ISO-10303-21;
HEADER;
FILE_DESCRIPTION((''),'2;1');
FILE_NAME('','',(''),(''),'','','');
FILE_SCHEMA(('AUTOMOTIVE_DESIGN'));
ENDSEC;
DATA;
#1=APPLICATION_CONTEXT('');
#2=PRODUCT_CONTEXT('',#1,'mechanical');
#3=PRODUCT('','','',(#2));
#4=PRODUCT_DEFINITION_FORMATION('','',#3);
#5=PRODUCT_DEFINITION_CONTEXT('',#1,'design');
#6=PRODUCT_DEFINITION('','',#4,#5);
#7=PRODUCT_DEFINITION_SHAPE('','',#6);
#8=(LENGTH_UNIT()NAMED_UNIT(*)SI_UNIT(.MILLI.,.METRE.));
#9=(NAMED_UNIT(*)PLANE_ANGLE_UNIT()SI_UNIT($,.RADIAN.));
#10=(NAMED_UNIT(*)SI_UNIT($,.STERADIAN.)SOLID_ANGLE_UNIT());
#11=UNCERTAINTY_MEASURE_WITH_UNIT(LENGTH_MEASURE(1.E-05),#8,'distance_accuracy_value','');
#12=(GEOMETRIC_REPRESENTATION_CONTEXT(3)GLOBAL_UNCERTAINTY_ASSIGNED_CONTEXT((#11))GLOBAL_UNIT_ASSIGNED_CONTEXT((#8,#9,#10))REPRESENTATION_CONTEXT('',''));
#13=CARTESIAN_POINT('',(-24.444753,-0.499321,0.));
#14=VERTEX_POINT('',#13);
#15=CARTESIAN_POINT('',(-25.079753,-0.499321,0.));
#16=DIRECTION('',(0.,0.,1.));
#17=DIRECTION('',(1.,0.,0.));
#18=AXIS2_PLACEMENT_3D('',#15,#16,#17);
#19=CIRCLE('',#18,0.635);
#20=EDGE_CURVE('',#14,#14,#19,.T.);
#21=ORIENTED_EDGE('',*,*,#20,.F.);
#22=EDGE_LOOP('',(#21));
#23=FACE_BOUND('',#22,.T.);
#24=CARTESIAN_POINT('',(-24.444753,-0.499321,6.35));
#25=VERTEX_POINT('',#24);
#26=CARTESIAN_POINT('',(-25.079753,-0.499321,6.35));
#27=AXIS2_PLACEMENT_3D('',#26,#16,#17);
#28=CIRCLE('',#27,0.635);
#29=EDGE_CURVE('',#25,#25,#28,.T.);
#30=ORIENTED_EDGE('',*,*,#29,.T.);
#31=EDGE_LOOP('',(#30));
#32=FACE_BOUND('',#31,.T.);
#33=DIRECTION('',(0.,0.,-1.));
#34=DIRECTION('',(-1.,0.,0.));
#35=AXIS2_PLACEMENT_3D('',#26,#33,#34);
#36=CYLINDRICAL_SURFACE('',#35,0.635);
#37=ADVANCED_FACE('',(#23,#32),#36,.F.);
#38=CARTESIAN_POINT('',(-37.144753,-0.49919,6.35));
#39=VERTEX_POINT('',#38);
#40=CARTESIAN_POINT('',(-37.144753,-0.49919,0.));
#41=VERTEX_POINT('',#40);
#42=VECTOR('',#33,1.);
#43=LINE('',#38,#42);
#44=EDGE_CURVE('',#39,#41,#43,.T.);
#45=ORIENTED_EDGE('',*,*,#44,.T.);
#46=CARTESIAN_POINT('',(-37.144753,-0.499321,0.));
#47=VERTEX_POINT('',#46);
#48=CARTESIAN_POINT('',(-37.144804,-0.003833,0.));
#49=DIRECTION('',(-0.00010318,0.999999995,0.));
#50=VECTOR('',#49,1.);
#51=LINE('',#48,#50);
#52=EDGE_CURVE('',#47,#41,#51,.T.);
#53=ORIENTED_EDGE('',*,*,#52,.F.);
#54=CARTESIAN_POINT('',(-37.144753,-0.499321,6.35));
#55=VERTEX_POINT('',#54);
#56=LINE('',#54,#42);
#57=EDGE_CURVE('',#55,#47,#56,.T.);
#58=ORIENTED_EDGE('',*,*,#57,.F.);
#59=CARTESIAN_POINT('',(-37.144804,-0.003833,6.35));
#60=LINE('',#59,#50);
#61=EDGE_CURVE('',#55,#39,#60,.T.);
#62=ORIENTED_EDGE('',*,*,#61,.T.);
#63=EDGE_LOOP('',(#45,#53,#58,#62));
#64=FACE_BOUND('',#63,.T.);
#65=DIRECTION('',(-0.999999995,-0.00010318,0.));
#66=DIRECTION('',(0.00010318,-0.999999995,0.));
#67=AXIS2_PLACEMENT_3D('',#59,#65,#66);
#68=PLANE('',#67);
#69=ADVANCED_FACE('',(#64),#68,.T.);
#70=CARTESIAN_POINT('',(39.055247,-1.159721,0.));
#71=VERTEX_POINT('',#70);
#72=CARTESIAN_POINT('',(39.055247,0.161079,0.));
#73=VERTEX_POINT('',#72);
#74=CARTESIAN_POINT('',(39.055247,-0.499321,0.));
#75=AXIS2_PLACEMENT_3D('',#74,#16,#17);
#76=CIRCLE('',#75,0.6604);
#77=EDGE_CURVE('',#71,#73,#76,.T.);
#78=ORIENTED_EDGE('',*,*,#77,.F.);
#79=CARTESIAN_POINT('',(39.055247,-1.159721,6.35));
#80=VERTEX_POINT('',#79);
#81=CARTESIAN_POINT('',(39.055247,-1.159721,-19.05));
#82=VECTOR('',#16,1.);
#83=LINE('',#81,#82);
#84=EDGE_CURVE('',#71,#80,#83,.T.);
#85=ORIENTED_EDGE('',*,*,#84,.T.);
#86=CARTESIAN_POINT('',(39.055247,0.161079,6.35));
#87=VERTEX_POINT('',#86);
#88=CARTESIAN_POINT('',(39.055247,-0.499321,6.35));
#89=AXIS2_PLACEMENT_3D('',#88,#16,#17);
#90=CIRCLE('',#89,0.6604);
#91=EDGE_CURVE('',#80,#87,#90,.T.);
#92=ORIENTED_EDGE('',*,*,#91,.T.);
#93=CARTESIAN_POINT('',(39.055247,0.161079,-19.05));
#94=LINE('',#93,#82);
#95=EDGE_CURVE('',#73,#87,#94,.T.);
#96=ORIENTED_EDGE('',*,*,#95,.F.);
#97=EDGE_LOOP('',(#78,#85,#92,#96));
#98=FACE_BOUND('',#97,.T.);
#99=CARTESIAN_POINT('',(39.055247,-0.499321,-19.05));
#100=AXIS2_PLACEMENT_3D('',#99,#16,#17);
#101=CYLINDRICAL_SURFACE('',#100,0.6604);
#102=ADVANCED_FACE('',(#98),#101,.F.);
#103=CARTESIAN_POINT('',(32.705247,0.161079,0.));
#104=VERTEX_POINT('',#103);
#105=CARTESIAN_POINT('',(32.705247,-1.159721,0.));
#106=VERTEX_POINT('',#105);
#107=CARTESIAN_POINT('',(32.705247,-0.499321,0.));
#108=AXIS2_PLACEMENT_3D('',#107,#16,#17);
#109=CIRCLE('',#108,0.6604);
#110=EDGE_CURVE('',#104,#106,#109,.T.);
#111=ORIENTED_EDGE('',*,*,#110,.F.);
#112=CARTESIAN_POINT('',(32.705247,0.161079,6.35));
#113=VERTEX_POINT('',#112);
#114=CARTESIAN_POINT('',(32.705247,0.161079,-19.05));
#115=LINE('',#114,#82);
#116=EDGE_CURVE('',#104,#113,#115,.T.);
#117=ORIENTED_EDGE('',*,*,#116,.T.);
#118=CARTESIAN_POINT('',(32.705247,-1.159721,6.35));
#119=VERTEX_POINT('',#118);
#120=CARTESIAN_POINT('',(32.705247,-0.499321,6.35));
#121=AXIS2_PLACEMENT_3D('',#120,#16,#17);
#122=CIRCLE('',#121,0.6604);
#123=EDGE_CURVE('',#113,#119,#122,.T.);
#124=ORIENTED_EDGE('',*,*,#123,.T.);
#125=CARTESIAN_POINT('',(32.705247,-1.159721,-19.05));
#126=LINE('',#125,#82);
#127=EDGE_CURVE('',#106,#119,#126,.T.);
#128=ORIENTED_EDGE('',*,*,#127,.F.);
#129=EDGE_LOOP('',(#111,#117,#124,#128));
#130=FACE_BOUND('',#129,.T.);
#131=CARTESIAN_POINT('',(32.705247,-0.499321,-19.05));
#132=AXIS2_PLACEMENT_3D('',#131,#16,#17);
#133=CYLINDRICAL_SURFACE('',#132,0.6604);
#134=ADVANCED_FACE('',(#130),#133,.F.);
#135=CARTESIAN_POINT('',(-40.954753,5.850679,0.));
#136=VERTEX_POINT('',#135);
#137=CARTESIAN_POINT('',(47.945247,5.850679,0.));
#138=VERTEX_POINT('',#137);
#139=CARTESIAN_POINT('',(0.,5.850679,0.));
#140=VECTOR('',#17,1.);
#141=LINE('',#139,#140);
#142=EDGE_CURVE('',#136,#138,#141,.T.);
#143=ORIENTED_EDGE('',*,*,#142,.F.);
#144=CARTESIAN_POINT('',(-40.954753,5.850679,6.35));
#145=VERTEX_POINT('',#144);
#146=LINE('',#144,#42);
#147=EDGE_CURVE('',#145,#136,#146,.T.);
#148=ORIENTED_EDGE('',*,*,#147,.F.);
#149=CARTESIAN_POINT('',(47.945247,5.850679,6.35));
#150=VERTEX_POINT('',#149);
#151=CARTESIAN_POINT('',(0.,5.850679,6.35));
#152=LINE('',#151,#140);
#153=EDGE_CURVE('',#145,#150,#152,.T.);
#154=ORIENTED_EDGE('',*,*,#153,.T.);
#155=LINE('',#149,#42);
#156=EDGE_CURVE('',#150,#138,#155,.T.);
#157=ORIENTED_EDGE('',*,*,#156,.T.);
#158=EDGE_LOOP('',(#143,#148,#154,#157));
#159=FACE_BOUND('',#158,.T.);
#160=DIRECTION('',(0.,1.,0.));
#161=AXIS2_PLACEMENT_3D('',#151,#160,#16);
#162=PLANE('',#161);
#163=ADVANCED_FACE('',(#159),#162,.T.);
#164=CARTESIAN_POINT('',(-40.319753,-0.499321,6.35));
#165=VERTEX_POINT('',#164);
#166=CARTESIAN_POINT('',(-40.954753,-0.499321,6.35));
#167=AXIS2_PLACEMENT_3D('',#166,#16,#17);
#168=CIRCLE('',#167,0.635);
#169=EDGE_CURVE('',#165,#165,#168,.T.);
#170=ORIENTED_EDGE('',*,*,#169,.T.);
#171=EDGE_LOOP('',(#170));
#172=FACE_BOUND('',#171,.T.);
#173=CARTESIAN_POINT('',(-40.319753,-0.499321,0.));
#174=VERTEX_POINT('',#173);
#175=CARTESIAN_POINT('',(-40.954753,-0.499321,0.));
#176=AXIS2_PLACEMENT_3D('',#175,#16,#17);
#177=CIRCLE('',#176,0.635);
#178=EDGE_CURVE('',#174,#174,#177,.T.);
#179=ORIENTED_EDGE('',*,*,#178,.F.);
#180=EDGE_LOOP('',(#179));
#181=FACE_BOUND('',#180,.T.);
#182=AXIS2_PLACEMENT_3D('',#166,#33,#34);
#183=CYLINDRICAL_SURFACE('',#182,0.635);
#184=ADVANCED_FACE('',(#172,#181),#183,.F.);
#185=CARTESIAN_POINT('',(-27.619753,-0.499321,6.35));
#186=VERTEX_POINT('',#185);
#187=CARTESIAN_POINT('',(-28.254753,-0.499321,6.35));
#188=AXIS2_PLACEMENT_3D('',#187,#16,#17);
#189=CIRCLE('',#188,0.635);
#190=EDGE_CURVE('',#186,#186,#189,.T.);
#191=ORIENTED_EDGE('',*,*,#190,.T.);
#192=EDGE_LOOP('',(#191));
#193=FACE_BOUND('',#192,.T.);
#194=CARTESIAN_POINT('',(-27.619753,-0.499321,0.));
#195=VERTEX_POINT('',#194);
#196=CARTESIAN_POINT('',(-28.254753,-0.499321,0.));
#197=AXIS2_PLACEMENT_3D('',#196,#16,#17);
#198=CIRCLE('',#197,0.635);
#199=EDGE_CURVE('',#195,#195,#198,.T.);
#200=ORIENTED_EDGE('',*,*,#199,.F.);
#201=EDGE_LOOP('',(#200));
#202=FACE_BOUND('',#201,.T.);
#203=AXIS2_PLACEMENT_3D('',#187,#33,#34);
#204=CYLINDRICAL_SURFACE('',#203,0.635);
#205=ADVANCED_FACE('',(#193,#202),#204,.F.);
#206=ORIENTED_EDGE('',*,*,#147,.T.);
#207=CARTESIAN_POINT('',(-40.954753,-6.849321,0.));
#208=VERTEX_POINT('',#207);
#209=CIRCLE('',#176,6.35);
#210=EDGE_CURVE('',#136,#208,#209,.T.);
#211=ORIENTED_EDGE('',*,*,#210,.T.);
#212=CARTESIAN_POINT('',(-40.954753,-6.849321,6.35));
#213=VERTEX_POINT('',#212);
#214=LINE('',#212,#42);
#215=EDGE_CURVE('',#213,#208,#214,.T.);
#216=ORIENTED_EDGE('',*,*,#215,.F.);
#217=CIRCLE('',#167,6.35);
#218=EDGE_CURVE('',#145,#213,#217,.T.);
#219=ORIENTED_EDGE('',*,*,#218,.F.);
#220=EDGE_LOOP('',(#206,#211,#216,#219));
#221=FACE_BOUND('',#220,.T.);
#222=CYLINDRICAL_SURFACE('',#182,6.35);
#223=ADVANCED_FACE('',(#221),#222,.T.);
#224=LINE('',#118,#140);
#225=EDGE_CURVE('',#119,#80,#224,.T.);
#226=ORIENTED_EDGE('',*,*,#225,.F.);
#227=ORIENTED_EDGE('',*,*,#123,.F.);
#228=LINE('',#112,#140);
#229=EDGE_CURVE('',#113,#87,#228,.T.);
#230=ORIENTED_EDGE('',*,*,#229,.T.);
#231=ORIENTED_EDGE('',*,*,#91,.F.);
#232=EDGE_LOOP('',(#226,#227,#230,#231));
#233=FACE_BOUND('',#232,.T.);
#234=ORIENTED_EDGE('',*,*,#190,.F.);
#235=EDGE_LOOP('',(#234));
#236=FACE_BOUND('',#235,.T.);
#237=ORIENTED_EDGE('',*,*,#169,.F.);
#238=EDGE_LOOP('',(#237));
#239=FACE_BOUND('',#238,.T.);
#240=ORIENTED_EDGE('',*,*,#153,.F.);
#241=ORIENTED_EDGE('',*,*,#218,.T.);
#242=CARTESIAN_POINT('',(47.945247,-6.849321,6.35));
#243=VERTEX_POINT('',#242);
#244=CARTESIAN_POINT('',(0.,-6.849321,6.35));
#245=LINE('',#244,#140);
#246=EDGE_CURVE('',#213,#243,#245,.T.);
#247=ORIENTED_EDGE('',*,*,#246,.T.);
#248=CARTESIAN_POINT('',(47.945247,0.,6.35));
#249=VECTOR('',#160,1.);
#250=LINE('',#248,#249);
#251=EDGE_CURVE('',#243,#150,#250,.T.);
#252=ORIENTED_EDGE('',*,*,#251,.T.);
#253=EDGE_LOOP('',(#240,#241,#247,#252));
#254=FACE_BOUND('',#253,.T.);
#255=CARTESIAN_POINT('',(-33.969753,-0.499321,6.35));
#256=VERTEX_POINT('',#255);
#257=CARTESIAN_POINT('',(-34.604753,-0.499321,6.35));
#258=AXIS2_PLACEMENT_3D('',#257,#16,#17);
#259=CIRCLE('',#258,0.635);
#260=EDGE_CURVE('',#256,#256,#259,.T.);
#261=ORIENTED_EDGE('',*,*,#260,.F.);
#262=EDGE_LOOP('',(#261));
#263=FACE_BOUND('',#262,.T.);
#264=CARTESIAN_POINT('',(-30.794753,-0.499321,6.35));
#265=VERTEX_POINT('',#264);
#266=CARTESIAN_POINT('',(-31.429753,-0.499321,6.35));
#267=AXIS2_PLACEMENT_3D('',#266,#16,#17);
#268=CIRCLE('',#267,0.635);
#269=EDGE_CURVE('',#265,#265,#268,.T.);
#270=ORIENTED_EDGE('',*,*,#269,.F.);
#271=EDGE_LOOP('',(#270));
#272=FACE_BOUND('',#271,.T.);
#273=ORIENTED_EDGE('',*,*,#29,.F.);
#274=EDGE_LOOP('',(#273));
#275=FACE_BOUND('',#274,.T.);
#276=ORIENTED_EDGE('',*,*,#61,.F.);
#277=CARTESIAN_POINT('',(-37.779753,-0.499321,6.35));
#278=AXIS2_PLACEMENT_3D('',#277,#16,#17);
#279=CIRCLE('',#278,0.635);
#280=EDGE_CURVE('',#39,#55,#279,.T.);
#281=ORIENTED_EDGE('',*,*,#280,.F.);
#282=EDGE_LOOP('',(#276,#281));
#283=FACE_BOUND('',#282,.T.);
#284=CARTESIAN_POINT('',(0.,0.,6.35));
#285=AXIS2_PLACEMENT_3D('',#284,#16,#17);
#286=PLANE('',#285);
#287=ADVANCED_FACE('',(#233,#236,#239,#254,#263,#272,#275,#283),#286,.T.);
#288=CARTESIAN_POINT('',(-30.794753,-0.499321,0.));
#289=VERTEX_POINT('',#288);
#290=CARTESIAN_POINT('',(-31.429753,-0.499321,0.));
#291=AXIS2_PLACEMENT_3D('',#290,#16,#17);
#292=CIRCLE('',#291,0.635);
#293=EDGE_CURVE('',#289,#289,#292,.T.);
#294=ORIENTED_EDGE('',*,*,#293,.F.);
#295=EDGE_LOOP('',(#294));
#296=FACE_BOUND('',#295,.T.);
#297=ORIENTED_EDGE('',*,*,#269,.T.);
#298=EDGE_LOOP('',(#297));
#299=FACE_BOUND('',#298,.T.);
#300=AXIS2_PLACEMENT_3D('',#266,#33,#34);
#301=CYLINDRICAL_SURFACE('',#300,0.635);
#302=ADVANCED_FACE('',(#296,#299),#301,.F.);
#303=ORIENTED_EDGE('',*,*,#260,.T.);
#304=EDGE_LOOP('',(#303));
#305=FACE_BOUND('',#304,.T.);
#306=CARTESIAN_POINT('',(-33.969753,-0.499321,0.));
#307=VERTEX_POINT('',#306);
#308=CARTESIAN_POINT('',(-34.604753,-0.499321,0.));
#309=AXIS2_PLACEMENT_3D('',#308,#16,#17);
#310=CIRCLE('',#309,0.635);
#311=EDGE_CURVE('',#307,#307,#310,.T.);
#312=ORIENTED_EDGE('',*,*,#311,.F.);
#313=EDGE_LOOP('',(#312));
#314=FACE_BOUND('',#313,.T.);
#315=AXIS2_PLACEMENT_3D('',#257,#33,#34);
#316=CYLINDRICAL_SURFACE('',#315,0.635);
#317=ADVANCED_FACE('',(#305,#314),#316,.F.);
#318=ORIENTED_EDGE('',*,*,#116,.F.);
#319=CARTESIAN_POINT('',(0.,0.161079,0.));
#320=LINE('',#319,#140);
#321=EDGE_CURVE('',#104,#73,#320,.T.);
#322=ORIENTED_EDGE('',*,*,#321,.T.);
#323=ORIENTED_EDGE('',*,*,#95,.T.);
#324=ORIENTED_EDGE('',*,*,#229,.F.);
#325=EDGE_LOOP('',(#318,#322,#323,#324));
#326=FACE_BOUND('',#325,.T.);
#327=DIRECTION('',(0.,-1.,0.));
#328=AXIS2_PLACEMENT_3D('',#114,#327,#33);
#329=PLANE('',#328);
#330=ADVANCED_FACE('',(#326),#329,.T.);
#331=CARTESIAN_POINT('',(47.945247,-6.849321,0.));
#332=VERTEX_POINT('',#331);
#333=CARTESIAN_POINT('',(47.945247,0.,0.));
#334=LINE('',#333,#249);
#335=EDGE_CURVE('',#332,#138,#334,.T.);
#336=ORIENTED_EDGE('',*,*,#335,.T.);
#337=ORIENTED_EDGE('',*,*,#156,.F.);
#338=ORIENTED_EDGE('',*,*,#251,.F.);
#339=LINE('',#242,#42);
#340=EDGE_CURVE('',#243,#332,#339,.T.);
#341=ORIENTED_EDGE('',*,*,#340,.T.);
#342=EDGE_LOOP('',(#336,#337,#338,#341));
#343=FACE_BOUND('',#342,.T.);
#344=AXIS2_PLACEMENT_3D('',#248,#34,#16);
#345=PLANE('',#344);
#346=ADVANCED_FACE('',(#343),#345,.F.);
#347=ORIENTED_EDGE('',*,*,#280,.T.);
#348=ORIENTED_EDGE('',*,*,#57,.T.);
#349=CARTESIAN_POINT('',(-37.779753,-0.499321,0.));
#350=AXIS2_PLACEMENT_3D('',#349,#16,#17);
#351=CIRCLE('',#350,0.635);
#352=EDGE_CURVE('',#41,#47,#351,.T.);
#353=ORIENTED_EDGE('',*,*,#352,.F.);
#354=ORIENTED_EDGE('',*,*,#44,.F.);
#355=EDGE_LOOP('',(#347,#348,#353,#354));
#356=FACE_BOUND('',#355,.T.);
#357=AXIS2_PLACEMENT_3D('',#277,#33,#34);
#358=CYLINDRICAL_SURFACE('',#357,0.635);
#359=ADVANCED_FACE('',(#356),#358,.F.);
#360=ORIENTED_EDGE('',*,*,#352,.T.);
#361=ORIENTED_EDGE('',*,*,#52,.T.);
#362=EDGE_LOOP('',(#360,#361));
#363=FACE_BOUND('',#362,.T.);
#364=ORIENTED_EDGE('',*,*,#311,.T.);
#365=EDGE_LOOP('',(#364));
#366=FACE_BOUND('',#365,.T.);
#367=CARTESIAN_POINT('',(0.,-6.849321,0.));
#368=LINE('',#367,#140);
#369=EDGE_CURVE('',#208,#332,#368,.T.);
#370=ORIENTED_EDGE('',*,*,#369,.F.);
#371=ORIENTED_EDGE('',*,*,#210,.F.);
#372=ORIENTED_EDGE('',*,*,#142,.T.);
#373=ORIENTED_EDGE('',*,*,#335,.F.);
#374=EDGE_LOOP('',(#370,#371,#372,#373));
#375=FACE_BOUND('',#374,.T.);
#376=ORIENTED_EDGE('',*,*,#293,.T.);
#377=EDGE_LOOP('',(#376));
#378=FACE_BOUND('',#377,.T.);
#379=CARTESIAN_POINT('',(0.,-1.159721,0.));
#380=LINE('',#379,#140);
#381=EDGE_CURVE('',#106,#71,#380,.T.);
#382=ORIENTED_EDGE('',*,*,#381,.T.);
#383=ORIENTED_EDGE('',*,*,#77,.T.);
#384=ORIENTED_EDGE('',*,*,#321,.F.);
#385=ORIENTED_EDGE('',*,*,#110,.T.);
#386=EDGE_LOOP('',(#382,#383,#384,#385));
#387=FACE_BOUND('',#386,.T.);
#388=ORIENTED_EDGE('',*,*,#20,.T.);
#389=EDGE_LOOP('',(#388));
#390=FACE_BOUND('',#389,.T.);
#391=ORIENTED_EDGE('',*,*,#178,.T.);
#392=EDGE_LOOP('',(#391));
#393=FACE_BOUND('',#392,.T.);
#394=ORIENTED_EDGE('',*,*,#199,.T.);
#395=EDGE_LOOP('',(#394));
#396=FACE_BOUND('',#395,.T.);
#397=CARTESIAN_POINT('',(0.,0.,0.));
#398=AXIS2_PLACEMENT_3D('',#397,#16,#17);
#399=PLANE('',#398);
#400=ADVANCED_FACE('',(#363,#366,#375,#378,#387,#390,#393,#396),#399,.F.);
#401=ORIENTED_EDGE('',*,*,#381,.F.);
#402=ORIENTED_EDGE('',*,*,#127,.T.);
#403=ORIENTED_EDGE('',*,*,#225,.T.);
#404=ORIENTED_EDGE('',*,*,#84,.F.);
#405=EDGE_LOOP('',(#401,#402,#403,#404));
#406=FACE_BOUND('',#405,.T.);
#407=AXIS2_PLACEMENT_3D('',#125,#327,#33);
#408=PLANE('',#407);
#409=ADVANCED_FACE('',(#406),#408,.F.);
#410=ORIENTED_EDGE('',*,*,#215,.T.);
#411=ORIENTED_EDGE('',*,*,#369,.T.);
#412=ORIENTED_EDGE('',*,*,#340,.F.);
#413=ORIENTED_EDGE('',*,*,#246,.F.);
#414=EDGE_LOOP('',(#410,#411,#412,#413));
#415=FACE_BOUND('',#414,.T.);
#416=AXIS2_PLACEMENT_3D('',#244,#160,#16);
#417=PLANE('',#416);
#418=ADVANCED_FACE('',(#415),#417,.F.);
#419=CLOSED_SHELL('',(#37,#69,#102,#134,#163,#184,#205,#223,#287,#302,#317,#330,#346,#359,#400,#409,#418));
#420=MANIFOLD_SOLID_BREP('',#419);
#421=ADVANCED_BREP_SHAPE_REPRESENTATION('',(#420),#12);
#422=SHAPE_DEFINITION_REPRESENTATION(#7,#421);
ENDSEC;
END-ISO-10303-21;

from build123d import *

# Parameters (mm, degrees)
BOSS_EXTRUDE3_DEPTH = 6.35
CUT_EXTRUDE2_DEPTH  = 25.4


with BuildPart() as part:
    # Sketch1 → Boss-Extrude3 (new body)
    # profile 1 of 2: a face of its own
    with BuildSketch(Plane.XY):
        with BuildLine():
            ThreePointArc((-40.954752736, 5.850678962), (-47.304752736, -0.499321038), (-40.954752736, -6.849321038))
            Line((-40.954752736, -6.849321038), (47.945247264, -6.849321038))
            Line((47.945247264, -6.849321038), (47.945247264, 5.850678962))
            Line((47.945247264, 5.850678962), (-40.954752736, 5.850678962))
        make_face()
        with BuildLine():
            ThreePointArc((-40.319752736, -0.499321038), (-40.954490658, -1.134320984), (-41.589752519, -0.499845193))
            ThreePointArc((-41.589752519, -0.499845193), (-40.955276891, 0.135678746), (-40.319752952, -0.498796882))
            ThreePointArc((-40.319752952, -0.498796882), (-40.31975279, -0.49905896), (-40.319752736, -0.499321038))
        make_face(mode=Mode.SUBTRACT)
        with BuildLine():
            Line((-37.144752749, -0.499189999), (-37.144752736, -0.499321038))
            ThreePointArc((-37.144752736, -0.499321038), (-38.414752732, -0.499386557), (-37.144752749, -0.499189999))
        make_face(mode=Mode.SUBTRACT)
        with BuildLine():
            ThreePointArc((-33.969752736, -0.499321038), (-34.604752736, -1.134321038), (-35.239752736, -0.499321038))
            ThreePointArc((-35.239752736, -0.499321038), (-34.604752736, 0.135678962), (-33.969752736, -0.499321038))
        make_face(mode=Mode.SUBTRACT)
        with BuildLine():
            ThreePointArc((-30.794752736, -0.499321038), (-31.429752736, -1.134321038), (-32.064752736, -0.499321038))
            ThreePointArc((-32.064752736, -0.499321038), (-31.429752736, 0.135678962), (-30.794752736, -0.499321038))
        make_face(mode=Mode.SUBTRACT)
        with BuildLine():
            ThreePointArc((-27.619752736, -0.499321038), (-28.254752736, -1.134321038), (-28.889752736, -0.499321038))
            ThreePointArc((-28.889752736, -0.499321038), (-28.254752736, 0.135678962), (-27.619752736, -0.499321038))
        make_face(mode=Mode.SUBTRACT)
        with BuildLine():
            ThreePointArc((-24.444752736, -0.499321038), (-25.079752736, -1.134321038), (-25.714752736, -0.499321038))
            ThreePointArc((-25.714752736, -0.499321038), (-25.079752736, 0.135678962), (-24.444752736, -0.499321038))
        make_face(mode=Mode.SUBTRACT)
        with BuildLine():
            ThreePointArc((32.070247264, -0.499321038), (32.705247264, 0.135678962), (33.340247264, -0.499321038))
            ThreePointArc((33.340247264, -0.499321038), (32.705247264, -1.134321038), (32.070247264, -0.499321038))
        make_face(mode=Mode.SUBTRACT)
        with BuildLine():
            ThreePointArc((35.245247264, -0.499321038), (35.880247264, 0.135678962), (36.515247264, -0.499321038))
            ThreePointArc((36.515247264, -0.499321038), (35.880247264, -1.134321038), (35.245247264, -0.499321038))
        make_face(mode=Mode.SUBTRACT)
        with BuildLine():
            ThreePointArc((38.420247264, -0.499321038), (39.055247264, 0.135678962), (39.690247264, -0.499321038))
            ThreePointArc((39.690247264, -0.499321038), (39.055247264, -1.134321038), (38.420247264, -0.499321038))
        make_face(mode=Mode.SUBTRACT)
    # profile 2 of 2: a face of its own
    with BuildSketch(Plane.XY):
        with BuildLine():
            ThreePointArc((-40.954752736, 5.850678962), (-47.304752736, -0.499321038), (-40.954752736, -6.849321038))
            Line((-40.954752736, -6.849321038), (47.945247264, -6.849321038))
            Line((47.945247264, -6.849321038), (47.945247264, 5.850678962))
            Line((47.945247264, 5.850678962), (-40.954752736, 5.850678962))
        make_face()
        with BuildLine():
            ThreePointArc((-40.319752736, -0.499321038), (-40.954490658, -1.134320984), (-41.589752519, -0.499845193))
            ThreePointArc((-41.589752519, -0.499845193), (-40.955276891, 0.135678746), (-40.319752952, -0.498796882))
            ThreePointArc((-40.319752952, -0.498796882), (-40.31975279, -0.49905896), (-40.319752736, -0.499321038))
        make_face(mode=Mode.SUBTRACT)
        with BuildLine():
            Line((-37.144752749, -0.499189999), (-37.144752736, -0.499321038))
            ThreePointArc((-37.144752736, -0.499321038), (-38.414752732, -0.499386557), (-37.144752749, -0.499189999))
        make_face(mode=Mode.SUBTRACT)
        with BuildLine():
            ThreePointArc((-33.969752736, -0.499321038), (-34.604752736, -1.134321038), (-35.239752736, -0.499321038))
            ThreePointArc((-35.239752736, -0.499321038), (-34.604752736, 0.135678962), (-33.969752736, -0.499321038))
        make_face(mode=Mode.SUBTRACT)
        with BuildLine():
            ThreePointArc((-30.794752736, -0.499321038), (-31.429752736, -1.134321038), (-32.064752736, -0.499321038))
            ThreePointArc((-32.064752736, -0.499321038), (-31.429752736, 0.135678962), (-30.794752736, -0.499321038))
        make_face(mode=Mode.SUBTRACT)
        with BuildLine():
            ThreePointArc((-27.619752736, -0.499321038), (-28.254752736, -1.134321038), (-28.889752736, -0.499321038))
            ThreePointArc((-28.889752736, -0.499321038), (-28.254752736, 0.135678962), (-27.619752736, -0.499321038))
        make_face(mode=Mode.SUBTRACT)
        with BuildLine():
            ThreePointArc((-24.444752736, -0.499321038), (-25.079752736, -1.134321038), (-25.714752736, -0.499321038))
            ThreePointArc((-25.714752736, -0.499321038), (-25.079752736, 0.135678962), (-24.444752736, -0.499321038))
        make_face(mode=Mode.SUBTRACT)
        with BuildLine():
            ThreePointArc((32.070247264, -0.499321038), (32.705247264, 0.135678962), (33.340247264, -0.499321038))
            ThreePointArc((33.340247264, -0.499321038), (32.705247264, -1.134321038), (32.070247264, -0.499321038))
        make_face(mode=Mode.SUBTRACT)
        with BuildLine():
            ThreePointArc((35.245247264, -0.499321038), (35.880247264, 0.135678962), (36.515247264, -0.499321038))
            ThreePointArc((36.515247264, -0.499321038), (35.880247264, -1.134321038), (35.245247264, -0.499321038))
        make_face(mode=Mode.SUBTRACT)
        with BuildLine():
            ThreePointArc((38.420247264, -0.499321038), (39.055247264, 0.135678962), (39.690247264, -0.499321038))
            ThreePointArc((39.690247264, -0.499321038), (39.055247264, -1.134321038), (38.420247264, -0.499321038))
        make_face(mode=Mode.SUBTRACT)
    extrude(amount=BOSS_EXTRUDE3_DEPTH)

    # Sketch2 → Cut-Extrude2 (cut)
    with BuildSketch(Plane.XY.offset(6.35)):
        with BuildLine():
            Line((32.705247264, -1.159721038), (39.055247264, -1.159721038))
            ThreePointArc((39.055247264, -1.159721038), (39.715647264, -0.499321038), (39.055247264, 0.161078962))
            Line((39.055247264, 0.161078962), (32.705247264, 0.161078962))
            ThreePointArc((32.705247264, 0.161078962), (32.044847264, -0.499321038), (32.705247264, -1.159721038))
        make_face()
    extrude(amount=-CUT_EXTRUDE2_DEPTH, mode=Mode.SUBTRACT)


solid = part.part
